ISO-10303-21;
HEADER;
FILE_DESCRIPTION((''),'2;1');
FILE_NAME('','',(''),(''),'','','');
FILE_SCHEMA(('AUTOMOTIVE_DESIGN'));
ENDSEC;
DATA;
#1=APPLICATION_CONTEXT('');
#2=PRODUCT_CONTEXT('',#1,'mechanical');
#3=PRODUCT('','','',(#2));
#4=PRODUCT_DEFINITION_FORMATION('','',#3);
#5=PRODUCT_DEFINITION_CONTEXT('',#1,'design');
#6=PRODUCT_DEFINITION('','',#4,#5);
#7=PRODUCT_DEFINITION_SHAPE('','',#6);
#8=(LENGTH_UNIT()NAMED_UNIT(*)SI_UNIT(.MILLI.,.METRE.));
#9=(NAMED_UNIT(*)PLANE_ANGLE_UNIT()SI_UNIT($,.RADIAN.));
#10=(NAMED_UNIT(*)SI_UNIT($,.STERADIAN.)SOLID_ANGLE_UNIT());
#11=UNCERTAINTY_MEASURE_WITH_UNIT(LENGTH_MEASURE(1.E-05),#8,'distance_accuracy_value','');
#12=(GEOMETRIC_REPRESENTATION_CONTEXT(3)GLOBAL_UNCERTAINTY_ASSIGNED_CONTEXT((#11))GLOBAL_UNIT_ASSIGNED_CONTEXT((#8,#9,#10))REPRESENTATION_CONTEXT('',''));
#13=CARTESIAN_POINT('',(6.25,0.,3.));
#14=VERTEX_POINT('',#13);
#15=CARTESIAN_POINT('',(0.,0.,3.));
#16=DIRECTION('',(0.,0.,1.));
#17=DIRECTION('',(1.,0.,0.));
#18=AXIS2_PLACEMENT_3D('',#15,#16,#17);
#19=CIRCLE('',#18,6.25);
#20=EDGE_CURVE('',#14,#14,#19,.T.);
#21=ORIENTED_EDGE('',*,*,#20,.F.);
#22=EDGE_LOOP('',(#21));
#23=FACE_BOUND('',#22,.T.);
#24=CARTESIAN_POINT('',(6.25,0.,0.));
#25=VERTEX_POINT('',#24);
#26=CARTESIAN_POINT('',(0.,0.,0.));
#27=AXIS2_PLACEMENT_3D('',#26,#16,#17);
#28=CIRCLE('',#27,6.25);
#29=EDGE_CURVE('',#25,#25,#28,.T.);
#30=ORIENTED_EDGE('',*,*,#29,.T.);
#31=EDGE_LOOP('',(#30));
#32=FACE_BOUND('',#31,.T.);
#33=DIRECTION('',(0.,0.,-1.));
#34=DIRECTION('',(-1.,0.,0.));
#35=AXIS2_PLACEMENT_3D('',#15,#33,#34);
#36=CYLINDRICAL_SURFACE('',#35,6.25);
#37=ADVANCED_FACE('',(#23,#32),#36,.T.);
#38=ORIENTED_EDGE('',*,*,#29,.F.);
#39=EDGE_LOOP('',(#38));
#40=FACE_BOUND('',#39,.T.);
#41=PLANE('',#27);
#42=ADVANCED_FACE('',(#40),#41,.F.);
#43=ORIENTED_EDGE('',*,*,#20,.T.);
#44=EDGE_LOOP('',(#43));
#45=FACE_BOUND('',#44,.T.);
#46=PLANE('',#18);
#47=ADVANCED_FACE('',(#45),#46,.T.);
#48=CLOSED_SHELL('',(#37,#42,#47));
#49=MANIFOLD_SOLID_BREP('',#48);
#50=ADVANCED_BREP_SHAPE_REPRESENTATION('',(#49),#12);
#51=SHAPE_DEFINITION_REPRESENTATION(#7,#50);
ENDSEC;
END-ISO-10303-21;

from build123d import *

# Parameters (mm, degrees)
SKETCH_1_R      = 6.25
EXTRUDE_1_DEPTH = 3


with BuildPart() as part:
    # 草图1 → 凸台-拉伸1 (new body)
    with BuildSketch(Plane.XY):
        Circle(SKETCH_1_R)
    extrude(amount=EXTRUDE_1_DEPTH)


solid = part.part
